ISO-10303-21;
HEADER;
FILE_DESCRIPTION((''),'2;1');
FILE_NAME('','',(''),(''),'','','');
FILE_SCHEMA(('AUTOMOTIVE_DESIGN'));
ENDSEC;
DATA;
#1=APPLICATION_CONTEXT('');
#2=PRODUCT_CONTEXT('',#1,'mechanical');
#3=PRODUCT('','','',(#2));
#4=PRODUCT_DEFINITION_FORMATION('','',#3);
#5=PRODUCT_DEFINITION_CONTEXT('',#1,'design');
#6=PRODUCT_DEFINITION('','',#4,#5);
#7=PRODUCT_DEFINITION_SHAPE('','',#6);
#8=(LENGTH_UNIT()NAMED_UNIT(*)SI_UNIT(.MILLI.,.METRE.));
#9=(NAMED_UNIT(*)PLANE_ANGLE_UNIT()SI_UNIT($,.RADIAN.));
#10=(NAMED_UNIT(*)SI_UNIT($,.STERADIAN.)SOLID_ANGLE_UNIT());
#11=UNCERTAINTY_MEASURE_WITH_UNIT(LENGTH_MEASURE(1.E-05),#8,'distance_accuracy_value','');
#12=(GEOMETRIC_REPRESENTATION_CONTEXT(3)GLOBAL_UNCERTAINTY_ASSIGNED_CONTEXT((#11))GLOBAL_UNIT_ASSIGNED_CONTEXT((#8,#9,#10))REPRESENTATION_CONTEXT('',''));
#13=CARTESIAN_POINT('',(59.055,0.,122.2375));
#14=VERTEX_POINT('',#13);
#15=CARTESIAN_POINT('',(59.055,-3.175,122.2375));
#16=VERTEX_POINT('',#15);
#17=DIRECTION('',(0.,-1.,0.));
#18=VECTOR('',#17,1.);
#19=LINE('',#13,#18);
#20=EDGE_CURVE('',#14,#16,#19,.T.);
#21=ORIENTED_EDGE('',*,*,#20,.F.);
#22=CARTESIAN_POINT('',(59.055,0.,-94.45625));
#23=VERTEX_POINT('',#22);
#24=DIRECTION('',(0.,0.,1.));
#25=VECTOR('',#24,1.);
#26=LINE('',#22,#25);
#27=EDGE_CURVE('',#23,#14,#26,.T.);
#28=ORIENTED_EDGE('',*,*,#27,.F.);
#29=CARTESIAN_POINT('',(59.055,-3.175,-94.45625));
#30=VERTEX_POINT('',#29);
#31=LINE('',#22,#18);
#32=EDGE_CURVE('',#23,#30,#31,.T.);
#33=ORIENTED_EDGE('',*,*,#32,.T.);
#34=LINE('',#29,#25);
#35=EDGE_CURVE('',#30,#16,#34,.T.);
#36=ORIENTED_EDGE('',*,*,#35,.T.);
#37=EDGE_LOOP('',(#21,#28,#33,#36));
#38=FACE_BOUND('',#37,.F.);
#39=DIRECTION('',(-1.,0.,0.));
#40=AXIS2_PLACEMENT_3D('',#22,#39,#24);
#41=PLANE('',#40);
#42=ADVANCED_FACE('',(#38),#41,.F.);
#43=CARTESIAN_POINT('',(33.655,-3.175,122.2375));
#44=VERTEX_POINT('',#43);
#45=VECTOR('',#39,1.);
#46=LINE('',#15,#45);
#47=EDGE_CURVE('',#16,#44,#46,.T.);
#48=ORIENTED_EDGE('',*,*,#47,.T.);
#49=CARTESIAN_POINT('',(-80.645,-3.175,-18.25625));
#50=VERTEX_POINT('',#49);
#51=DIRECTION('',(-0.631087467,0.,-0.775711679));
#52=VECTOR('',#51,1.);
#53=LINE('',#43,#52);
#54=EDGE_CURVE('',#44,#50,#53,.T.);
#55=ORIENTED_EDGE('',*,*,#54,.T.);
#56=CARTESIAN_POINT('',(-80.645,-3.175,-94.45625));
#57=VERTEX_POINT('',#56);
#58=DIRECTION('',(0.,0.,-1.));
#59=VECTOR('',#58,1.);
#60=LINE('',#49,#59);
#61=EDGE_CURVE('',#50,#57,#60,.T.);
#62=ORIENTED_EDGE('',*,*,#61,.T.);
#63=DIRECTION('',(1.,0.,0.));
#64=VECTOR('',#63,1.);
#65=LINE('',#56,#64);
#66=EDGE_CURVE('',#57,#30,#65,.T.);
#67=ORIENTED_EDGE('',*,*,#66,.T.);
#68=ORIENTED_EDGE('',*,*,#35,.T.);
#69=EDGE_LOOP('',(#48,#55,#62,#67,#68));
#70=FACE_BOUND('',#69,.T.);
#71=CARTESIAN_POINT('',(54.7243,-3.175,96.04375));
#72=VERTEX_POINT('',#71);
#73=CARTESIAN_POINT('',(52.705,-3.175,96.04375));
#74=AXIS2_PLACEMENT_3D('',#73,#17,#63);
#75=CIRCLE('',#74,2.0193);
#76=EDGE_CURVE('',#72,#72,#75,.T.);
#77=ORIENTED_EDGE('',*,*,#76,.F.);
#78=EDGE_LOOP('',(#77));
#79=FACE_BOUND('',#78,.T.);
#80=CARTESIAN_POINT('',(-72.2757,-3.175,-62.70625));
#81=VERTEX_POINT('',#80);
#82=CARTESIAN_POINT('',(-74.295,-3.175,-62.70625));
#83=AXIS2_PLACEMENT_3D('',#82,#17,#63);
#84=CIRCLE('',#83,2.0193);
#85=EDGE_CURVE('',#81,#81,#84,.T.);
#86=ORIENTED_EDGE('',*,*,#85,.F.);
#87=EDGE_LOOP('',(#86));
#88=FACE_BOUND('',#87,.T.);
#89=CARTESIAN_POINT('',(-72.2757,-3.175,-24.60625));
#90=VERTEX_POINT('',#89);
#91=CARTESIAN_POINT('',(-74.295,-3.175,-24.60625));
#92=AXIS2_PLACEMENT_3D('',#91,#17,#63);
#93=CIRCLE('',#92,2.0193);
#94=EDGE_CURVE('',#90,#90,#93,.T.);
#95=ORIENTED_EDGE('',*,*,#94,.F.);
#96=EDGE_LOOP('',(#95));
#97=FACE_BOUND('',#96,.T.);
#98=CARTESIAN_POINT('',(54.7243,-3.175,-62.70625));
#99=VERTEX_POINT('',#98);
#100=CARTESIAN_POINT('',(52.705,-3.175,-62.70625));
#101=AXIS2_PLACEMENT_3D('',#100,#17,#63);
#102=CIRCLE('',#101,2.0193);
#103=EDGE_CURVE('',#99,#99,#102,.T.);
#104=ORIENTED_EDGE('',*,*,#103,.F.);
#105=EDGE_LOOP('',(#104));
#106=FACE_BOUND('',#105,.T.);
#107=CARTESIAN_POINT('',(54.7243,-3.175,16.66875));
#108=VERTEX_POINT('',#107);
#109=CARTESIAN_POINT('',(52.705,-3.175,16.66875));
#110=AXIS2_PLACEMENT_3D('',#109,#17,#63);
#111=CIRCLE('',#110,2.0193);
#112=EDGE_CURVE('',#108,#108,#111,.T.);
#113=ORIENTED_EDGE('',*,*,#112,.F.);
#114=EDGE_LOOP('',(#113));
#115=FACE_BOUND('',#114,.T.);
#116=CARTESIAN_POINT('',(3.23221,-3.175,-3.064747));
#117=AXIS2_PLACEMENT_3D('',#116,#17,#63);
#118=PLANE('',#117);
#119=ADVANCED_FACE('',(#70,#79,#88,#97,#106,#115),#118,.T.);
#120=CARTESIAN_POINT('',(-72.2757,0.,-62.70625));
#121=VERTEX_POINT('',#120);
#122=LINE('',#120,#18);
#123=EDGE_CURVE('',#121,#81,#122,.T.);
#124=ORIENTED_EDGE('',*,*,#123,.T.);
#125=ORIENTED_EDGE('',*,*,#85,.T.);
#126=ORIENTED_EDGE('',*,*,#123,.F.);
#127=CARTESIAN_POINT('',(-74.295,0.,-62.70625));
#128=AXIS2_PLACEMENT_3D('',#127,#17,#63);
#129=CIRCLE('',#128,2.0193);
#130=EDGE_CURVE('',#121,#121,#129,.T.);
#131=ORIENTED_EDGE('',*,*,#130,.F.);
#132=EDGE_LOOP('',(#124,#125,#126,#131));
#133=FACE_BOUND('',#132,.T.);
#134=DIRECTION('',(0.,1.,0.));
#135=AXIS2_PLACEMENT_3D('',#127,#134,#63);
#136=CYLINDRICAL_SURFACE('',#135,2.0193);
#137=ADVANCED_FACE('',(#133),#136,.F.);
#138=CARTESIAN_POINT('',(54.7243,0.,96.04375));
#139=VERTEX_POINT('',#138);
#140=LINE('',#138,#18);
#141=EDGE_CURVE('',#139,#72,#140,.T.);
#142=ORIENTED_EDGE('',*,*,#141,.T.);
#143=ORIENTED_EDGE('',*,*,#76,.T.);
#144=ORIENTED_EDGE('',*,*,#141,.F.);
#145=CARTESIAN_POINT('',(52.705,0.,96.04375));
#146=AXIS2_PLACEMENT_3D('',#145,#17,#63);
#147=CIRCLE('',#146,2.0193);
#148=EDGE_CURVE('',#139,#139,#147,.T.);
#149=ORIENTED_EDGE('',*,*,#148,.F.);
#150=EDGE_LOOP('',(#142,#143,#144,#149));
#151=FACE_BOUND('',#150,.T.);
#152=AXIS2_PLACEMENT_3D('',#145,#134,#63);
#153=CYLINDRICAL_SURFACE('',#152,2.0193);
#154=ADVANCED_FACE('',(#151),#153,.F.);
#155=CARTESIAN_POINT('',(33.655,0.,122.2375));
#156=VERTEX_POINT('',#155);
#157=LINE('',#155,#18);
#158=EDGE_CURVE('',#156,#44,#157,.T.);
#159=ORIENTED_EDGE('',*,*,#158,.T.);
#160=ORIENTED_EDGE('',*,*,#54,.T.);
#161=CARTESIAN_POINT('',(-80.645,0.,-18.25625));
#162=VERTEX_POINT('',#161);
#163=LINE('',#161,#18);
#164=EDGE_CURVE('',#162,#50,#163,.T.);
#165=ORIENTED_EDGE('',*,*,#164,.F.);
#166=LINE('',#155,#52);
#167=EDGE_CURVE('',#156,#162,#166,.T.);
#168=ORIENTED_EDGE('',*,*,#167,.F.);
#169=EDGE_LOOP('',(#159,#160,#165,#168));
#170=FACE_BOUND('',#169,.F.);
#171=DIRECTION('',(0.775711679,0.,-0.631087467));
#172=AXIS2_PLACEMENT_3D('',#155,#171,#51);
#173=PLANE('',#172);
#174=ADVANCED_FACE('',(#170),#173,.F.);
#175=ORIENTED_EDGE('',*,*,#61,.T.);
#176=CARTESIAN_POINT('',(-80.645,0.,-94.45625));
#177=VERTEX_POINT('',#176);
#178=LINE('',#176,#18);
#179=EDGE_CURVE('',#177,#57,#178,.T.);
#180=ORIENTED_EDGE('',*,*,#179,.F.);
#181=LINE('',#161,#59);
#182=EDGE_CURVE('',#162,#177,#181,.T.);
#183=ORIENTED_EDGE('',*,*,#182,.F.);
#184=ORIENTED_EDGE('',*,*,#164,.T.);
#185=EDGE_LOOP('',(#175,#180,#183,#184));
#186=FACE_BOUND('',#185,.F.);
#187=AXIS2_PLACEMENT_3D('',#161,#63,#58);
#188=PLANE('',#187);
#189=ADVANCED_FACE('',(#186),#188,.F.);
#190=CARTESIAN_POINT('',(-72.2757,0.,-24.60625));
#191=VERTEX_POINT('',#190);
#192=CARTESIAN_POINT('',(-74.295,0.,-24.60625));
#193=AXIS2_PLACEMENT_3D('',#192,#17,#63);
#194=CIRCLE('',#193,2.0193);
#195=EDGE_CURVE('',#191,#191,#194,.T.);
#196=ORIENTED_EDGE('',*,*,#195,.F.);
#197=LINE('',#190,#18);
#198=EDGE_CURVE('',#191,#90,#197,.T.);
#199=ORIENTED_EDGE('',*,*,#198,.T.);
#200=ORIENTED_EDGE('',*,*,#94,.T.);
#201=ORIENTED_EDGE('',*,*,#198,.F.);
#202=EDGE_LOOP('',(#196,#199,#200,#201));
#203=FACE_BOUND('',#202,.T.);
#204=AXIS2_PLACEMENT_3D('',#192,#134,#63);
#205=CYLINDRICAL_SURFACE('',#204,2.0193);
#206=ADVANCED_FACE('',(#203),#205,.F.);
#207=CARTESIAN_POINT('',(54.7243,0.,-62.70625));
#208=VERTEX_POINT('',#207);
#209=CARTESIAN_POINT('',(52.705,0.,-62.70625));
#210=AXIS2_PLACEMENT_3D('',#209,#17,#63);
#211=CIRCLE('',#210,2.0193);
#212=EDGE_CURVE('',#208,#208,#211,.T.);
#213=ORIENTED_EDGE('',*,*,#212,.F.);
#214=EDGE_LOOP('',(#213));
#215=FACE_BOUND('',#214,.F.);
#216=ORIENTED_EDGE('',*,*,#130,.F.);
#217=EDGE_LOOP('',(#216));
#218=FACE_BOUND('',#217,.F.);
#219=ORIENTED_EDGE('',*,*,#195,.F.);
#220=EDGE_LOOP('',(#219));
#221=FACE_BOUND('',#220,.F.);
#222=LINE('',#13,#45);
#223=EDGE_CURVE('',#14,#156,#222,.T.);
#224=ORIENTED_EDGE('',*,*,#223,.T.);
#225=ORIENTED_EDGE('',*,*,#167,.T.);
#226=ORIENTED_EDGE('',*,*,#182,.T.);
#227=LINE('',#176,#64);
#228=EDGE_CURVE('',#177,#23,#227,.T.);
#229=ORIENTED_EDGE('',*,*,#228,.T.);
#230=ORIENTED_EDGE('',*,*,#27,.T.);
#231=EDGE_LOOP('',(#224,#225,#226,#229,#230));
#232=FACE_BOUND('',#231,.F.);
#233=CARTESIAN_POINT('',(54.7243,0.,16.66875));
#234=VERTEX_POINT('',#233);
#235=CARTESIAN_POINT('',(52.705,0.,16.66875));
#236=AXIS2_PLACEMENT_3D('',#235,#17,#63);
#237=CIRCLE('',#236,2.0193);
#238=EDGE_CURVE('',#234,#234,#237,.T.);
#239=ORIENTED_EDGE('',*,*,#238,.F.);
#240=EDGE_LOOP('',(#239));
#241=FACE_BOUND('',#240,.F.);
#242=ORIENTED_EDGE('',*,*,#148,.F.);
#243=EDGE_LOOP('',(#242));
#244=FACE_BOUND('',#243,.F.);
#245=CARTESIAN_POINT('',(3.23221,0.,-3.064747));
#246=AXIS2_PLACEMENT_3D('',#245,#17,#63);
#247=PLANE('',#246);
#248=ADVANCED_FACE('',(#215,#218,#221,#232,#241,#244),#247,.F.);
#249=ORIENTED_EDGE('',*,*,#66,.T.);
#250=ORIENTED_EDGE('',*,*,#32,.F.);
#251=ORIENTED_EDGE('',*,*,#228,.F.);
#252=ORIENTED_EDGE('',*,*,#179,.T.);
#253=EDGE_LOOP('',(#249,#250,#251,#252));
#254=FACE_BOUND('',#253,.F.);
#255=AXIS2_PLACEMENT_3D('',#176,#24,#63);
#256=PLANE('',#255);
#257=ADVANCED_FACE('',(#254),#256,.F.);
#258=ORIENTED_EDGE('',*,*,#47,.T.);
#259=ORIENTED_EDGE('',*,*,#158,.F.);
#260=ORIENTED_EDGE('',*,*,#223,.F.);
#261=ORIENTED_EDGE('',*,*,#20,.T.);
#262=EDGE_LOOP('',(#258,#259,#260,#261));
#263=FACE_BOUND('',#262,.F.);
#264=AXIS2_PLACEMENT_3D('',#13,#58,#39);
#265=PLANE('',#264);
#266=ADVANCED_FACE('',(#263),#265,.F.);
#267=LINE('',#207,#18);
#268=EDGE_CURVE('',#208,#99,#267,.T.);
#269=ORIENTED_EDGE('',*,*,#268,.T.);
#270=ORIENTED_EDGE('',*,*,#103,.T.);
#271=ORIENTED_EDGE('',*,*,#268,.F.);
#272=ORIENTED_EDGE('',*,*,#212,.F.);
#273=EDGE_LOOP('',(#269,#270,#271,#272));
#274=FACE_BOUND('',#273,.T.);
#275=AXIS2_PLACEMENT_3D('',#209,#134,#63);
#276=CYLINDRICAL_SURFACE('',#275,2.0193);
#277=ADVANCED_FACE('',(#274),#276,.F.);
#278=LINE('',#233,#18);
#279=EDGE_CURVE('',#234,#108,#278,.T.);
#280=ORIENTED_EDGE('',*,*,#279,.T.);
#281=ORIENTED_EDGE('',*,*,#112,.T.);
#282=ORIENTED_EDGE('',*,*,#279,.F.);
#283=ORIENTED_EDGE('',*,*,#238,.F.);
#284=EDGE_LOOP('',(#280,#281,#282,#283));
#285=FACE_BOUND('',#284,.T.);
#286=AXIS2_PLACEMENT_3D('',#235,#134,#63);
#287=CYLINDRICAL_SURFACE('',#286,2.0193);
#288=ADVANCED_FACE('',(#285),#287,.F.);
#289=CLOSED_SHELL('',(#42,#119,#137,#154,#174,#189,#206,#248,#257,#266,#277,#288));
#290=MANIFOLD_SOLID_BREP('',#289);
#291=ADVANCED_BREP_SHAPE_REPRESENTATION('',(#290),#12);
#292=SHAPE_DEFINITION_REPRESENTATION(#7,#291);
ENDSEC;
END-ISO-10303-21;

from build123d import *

# Parameters (mm, degrees)
F0_R     = 2.0193
F1_DEPTH = 3.175


with BuildPart() as f1:
    # F0 (on Front) → F1 (new body)
    with BuildSketch(Plane.XZ):
        Polygon((-80.645, -94.45625), (59.055, -94.45625), (59.055, 122.2375), (33.655, 122.2375), (-80.645, -18.25625), align=None)
        with Locations((-74.295, -62.70625)):
            Circle(F0_R, mode=Mode.SUBTRACT)
        with Locations((-74.295, -24.60625)):
            Circle(F0_R, mode=Mode.SUBTRACT)
        with Locations((52.705, -62.70625)):
            Circle(F0_R, mode=Mode.SUBTRACT)
        with Locations((52.705, 16.66875)):
            Circle(F0_R, mode=Mode.SUBTRACT)
        with Locations((52.705, 96.04375)):
            Circle(F0_R, mode=Mode.SUBTRACT)
    extrude(amount=F1_DEPTH)


solid = f1.part
